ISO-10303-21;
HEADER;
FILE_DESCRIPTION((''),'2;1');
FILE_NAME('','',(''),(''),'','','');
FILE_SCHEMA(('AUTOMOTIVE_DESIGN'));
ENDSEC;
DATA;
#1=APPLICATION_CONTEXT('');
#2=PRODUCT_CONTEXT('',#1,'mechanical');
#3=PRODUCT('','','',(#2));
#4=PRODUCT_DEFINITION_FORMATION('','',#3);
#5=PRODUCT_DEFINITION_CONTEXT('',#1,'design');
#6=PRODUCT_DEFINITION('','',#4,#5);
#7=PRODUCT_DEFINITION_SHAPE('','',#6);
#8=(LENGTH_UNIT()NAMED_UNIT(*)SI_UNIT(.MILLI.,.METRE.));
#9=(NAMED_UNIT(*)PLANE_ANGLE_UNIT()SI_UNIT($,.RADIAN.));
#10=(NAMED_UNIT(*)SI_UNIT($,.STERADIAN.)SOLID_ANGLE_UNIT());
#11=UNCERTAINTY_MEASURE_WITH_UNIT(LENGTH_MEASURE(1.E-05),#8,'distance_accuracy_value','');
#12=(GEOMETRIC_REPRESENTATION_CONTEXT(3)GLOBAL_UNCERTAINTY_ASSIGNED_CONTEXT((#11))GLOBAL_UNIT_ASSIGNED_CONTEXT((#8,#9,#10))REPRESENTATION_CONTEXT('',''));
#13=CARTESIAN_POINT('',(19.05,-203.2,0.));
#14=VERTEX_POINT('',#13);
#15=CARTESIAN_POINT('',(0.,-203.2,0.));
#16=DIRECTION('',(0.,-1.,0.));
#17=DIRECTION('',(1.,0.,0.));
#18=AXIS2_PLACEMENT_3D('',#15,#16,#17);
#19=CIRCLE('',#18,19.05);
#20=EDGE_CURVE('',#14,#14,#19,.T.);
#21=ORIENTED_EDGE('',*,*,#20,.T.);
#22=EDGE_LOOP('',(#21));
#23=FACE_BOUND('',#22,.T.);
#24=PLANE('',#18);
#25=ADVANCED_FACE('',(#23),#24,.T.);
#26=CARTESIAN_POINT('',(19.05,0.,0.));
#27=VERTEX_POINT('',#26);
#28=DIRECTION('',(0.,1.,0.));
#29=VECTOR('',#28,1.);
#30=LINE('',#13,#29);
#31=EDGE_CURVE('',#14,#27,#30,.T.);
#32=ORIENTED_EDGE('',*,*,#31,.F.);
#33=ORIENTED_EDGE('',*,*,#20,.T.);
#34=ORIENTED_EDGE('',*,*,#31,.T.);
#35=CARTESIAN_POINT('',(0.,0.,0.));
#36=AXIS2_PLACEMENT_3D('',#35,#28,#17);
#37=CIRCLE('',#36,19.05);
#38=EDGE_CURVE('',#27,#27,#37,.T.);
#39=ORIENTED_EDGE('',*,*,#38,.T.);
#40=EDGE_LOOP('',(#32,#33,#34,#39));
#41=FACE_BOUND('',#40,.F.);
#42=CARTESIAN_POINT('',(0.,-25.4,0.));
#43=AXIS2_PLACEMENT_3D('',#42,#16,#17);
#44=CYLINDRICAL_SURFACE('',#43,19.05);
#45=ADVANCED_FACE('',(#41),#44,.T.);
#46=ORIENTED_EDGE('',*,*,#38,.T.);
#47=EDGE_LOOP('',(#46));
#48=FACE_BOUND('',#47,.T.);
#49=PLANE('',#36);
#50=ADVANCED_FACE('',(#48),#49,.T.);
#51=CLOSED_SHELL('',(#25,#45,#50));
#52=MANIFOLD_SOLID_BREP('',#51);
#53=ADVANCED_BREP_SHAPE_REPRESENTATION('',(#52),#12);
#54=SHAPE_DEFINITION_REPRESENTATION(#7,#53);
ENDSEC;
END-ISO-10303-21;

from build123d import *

# Parameters (mm, degrees)
F0_R      = 19.05
F0_R_2    = 15.875
F1_DEPTH  = 203.2
F1_FACE_R = 19.05
F2_DEPTH  = 25.4
F2_FACE_R = 19.05
F3_DEPTH  = 25.4


with BuildPart() as f1:
    # F0 (on Front) → F1 (new body)
    with BuildSketch(Plane.XZ):
        Circle(F0_R)
        Circle(F0_R_2, mode=Mode.SUBTRACT)
        Circle(F0_R_2)
    extrude(amount=F1_DEPTH)

    # F1_face (on face) → F2 (cut)
    with BuildSketch(Plane(origin=(0, 0, 0), x_dir=(1, 0, 0), z_dir=(0, 1, 0))):
        Circle(F1_FACE_R)
    extrude(amount=-F2_DEPTH, mode=Mode.SUBTRACT)

    # F2_face (on face) → F3 (join)
    with BuildSketch(Plane(origin=(0, -25.4, 0), x_dir=(1, 0, 0), z_dir=(0, 1, 0))):
        Circle(F2_FACE_R)
    extrude(amount=F3_DEPTH)


solid = f1.part
